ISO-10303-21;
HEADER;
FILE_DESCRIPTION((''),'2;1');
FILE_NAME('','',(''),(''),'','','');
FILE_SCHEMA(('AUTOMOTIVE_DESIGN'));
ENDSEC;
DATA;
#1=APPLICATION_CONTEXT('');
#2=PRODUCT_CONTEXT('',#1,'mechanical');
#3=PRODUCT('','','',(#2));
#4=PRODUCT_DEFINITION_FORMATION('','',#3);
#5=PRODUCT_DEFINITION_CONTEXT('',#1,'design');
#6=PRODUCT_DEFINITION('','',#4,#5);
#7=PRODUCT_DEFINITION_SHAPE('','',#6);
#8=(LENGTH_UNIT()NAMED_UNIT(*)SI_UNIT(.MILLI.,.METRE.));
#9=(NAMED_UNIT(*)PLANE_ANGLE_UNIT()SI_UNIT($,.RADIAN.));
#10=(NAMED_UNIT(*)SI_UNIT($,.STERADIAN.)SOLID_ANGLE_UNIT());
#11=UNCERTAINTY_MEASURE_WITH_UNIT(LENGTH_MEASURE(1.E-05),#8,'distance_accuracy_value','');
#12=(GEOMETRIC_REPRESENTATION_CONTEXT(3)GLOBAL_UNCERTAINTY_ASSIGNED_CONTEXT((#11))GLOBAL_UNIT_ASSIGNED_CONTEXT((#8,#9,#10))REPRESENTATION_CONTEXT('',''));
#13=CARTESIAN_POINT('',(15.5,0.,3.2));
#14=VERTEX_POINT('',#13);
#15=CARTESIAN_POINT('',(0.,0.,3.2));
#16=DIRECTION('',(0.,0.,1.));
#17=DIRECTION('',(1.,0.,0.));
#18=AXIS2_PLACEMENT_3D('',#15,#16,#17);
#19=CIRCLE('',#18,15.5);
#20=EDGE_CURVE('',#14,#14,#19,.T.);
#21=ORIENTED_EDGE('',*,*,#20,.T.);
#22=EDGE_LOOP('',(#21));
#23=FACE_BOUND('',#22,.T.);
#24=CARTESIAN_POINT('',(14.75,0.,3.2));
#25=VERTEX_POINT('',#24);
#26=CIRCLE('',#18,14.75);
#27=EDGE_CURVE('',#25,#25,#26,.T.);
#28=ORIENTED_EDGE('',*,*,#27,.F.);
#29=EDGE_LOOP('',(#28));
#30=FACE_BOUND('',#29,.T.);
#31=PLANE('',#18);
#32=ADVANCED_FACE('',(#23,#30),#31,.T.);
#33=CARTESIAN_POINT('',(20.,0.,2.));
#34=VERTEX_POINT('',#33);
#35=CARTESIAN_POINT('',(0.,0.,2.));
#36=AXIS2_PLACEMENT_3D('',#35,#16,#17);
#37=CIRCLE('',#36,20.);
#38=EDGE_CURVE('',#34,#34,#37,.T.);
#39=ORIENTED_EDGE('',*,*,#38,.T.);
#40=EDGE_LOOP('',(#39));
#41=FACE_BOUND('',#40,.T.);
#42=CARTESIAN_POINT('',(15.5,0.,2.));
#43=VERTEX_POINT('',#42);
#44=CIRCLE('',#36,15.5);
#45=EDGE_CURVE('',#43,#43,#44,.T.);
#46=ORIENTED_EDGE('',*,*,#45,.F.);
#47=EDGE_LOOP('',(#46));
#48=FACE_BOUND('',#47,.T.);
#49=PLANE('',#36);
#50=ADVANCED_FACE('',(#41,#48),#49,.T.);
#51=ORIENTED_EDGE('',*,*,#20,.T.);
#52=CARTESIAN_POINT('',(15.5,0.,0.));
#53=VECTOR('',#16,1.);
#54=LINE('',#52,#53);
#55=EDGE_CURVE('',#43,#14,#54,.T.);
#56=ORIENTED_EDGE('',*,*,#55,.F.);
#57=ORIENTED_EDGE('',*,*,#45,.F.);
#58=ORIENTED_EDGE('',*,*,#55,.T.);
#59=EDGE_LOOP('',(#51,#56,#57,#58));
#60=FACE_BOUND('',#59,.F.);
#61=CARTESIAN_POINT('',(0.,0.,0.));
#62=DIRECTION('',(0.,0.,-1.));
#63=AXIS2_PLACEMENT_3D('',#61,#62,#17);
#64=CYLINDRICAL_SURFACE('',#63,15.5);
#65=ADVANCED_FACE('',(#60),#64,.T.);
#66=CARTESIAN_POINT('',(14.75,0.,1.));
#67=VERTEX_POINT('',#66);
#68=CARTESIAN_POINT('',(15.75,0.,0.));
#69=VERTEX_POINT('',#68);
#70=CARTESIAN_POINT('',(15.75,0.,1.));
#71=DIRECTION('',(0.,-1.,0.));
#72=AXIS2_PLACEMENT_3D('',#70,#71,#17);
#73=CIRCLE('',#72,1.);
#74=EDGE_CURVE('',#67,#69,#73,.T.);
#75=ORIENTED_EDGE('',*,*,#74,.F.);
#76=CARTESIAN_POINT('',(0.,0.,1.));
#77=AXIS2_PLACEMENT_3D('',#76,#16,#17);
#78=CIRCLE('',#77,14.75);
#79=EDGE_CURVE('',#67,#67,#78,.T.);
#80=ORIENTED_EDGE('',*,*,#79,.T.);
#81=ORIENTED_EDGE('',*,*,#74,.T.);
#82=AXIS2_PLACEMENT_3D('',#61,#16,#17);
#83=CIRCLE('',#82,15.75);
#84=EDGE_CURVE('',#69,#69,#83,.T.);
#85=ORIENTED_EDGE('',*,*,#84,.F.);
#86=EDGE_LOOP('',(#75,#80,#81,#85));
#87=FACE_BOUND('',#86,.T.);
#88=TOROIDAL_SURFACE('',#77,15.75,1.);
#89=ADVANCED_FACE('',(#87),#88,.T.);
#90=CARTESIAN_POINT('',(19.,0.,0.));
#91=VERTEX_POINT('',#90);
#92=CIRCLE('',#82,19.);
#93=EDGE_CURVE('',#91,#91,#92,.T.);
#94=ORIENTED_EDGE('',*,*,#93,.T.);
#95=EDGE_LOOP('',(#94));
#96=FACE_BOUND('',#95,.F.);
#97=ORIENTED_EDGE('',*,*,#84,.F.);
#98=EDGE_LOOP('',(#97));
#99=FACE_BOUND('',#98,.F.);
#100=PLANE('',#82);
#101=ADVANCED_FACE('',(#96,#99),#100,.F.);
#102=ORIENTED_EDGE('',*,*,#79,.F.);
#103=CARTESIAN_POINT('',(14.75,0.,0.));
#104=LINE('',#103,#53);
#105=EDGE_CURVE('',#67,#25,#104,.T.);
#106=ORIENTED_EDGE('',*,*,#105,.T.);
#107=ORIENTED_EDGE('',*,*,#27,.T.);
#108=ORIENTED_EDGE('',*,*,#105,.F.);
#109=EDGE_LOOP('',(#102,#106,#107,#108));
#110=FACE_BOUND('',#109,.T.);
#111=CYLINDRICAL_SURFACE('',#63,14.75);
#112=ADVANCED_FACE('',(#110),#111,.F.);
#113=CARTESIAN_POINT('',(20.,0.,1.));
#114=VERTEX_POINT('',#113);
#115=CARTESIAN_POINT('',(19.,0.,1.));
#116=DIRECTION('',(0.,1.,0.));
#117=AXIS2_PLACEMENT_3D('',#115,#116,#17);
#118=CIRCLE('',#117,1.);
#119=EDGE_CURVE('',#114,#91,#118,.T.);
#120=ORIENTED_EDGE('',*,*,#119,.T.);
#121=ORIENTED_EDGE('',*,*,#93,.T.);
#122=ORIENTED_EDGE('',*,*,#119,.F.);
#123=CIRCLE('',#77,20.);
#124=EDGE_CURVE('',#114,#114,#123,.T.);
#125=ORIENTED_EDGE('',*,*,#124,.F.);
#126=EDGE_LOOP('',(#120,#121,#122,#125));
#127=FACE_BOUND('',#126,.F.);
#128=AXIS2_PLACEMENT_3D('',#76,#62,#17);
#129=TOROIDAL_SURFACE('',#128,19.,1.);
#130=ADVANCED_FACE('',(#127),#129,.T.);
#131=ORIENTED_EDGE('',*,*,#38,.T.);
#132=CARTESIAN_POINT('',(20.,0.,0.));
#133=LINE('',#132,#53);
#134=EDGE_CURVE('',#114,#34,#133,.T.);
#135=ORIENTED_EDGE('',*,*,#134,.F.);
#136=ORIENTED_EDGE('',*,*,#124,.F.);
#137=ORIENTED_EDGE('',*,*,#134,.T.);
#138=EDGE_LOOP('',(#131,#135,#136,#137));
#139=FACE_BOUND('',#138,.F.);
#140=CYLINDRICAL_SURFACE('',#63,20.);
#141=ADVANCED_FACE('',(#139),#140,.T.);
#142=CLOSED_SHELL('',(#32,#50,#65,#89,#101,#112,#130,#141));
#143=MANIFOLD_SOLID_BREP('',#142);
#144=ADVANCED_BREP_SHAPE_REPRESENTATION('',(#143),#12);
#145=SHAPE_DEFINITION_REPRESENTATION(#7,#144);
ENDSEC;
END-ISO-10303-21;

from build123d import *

# Parameters (mm, degrees)
F0_R     = 20
F0_R_2   = 15.5
F1_DEPTH = 2
F2_R     = 15.5
F2_R_2   = 14.75
F3_DEPTH = 3.2
F4_R     = 1


with BuildPart() as f1:
    # F0 (on Top) → F1 (new body)
    with BuildSketch(Plane.XY):
        Circle(F0_R)
        Circle(F0_R_2, mode=Mode.SUBTRACT)
    extrude(amount=F1_DEPTH)

    # F2 (on Top) → F3 (join)
    with BuildSketch(Plane.XY):
        Circle(F2_R)
        Circle(F2_R_2, mode=Mode.SUBTRACT)
    extrude(amount=F3_DEPTH)

    # F4
    f4_edges = [f1.edges().sort_by_distance(p)[0] for p in [
        (-20, 0, 0),
        (-14.75, 0, 0),
    ]]
    fillet(f4_edges, radius=F4_R)


solid = f1.part
